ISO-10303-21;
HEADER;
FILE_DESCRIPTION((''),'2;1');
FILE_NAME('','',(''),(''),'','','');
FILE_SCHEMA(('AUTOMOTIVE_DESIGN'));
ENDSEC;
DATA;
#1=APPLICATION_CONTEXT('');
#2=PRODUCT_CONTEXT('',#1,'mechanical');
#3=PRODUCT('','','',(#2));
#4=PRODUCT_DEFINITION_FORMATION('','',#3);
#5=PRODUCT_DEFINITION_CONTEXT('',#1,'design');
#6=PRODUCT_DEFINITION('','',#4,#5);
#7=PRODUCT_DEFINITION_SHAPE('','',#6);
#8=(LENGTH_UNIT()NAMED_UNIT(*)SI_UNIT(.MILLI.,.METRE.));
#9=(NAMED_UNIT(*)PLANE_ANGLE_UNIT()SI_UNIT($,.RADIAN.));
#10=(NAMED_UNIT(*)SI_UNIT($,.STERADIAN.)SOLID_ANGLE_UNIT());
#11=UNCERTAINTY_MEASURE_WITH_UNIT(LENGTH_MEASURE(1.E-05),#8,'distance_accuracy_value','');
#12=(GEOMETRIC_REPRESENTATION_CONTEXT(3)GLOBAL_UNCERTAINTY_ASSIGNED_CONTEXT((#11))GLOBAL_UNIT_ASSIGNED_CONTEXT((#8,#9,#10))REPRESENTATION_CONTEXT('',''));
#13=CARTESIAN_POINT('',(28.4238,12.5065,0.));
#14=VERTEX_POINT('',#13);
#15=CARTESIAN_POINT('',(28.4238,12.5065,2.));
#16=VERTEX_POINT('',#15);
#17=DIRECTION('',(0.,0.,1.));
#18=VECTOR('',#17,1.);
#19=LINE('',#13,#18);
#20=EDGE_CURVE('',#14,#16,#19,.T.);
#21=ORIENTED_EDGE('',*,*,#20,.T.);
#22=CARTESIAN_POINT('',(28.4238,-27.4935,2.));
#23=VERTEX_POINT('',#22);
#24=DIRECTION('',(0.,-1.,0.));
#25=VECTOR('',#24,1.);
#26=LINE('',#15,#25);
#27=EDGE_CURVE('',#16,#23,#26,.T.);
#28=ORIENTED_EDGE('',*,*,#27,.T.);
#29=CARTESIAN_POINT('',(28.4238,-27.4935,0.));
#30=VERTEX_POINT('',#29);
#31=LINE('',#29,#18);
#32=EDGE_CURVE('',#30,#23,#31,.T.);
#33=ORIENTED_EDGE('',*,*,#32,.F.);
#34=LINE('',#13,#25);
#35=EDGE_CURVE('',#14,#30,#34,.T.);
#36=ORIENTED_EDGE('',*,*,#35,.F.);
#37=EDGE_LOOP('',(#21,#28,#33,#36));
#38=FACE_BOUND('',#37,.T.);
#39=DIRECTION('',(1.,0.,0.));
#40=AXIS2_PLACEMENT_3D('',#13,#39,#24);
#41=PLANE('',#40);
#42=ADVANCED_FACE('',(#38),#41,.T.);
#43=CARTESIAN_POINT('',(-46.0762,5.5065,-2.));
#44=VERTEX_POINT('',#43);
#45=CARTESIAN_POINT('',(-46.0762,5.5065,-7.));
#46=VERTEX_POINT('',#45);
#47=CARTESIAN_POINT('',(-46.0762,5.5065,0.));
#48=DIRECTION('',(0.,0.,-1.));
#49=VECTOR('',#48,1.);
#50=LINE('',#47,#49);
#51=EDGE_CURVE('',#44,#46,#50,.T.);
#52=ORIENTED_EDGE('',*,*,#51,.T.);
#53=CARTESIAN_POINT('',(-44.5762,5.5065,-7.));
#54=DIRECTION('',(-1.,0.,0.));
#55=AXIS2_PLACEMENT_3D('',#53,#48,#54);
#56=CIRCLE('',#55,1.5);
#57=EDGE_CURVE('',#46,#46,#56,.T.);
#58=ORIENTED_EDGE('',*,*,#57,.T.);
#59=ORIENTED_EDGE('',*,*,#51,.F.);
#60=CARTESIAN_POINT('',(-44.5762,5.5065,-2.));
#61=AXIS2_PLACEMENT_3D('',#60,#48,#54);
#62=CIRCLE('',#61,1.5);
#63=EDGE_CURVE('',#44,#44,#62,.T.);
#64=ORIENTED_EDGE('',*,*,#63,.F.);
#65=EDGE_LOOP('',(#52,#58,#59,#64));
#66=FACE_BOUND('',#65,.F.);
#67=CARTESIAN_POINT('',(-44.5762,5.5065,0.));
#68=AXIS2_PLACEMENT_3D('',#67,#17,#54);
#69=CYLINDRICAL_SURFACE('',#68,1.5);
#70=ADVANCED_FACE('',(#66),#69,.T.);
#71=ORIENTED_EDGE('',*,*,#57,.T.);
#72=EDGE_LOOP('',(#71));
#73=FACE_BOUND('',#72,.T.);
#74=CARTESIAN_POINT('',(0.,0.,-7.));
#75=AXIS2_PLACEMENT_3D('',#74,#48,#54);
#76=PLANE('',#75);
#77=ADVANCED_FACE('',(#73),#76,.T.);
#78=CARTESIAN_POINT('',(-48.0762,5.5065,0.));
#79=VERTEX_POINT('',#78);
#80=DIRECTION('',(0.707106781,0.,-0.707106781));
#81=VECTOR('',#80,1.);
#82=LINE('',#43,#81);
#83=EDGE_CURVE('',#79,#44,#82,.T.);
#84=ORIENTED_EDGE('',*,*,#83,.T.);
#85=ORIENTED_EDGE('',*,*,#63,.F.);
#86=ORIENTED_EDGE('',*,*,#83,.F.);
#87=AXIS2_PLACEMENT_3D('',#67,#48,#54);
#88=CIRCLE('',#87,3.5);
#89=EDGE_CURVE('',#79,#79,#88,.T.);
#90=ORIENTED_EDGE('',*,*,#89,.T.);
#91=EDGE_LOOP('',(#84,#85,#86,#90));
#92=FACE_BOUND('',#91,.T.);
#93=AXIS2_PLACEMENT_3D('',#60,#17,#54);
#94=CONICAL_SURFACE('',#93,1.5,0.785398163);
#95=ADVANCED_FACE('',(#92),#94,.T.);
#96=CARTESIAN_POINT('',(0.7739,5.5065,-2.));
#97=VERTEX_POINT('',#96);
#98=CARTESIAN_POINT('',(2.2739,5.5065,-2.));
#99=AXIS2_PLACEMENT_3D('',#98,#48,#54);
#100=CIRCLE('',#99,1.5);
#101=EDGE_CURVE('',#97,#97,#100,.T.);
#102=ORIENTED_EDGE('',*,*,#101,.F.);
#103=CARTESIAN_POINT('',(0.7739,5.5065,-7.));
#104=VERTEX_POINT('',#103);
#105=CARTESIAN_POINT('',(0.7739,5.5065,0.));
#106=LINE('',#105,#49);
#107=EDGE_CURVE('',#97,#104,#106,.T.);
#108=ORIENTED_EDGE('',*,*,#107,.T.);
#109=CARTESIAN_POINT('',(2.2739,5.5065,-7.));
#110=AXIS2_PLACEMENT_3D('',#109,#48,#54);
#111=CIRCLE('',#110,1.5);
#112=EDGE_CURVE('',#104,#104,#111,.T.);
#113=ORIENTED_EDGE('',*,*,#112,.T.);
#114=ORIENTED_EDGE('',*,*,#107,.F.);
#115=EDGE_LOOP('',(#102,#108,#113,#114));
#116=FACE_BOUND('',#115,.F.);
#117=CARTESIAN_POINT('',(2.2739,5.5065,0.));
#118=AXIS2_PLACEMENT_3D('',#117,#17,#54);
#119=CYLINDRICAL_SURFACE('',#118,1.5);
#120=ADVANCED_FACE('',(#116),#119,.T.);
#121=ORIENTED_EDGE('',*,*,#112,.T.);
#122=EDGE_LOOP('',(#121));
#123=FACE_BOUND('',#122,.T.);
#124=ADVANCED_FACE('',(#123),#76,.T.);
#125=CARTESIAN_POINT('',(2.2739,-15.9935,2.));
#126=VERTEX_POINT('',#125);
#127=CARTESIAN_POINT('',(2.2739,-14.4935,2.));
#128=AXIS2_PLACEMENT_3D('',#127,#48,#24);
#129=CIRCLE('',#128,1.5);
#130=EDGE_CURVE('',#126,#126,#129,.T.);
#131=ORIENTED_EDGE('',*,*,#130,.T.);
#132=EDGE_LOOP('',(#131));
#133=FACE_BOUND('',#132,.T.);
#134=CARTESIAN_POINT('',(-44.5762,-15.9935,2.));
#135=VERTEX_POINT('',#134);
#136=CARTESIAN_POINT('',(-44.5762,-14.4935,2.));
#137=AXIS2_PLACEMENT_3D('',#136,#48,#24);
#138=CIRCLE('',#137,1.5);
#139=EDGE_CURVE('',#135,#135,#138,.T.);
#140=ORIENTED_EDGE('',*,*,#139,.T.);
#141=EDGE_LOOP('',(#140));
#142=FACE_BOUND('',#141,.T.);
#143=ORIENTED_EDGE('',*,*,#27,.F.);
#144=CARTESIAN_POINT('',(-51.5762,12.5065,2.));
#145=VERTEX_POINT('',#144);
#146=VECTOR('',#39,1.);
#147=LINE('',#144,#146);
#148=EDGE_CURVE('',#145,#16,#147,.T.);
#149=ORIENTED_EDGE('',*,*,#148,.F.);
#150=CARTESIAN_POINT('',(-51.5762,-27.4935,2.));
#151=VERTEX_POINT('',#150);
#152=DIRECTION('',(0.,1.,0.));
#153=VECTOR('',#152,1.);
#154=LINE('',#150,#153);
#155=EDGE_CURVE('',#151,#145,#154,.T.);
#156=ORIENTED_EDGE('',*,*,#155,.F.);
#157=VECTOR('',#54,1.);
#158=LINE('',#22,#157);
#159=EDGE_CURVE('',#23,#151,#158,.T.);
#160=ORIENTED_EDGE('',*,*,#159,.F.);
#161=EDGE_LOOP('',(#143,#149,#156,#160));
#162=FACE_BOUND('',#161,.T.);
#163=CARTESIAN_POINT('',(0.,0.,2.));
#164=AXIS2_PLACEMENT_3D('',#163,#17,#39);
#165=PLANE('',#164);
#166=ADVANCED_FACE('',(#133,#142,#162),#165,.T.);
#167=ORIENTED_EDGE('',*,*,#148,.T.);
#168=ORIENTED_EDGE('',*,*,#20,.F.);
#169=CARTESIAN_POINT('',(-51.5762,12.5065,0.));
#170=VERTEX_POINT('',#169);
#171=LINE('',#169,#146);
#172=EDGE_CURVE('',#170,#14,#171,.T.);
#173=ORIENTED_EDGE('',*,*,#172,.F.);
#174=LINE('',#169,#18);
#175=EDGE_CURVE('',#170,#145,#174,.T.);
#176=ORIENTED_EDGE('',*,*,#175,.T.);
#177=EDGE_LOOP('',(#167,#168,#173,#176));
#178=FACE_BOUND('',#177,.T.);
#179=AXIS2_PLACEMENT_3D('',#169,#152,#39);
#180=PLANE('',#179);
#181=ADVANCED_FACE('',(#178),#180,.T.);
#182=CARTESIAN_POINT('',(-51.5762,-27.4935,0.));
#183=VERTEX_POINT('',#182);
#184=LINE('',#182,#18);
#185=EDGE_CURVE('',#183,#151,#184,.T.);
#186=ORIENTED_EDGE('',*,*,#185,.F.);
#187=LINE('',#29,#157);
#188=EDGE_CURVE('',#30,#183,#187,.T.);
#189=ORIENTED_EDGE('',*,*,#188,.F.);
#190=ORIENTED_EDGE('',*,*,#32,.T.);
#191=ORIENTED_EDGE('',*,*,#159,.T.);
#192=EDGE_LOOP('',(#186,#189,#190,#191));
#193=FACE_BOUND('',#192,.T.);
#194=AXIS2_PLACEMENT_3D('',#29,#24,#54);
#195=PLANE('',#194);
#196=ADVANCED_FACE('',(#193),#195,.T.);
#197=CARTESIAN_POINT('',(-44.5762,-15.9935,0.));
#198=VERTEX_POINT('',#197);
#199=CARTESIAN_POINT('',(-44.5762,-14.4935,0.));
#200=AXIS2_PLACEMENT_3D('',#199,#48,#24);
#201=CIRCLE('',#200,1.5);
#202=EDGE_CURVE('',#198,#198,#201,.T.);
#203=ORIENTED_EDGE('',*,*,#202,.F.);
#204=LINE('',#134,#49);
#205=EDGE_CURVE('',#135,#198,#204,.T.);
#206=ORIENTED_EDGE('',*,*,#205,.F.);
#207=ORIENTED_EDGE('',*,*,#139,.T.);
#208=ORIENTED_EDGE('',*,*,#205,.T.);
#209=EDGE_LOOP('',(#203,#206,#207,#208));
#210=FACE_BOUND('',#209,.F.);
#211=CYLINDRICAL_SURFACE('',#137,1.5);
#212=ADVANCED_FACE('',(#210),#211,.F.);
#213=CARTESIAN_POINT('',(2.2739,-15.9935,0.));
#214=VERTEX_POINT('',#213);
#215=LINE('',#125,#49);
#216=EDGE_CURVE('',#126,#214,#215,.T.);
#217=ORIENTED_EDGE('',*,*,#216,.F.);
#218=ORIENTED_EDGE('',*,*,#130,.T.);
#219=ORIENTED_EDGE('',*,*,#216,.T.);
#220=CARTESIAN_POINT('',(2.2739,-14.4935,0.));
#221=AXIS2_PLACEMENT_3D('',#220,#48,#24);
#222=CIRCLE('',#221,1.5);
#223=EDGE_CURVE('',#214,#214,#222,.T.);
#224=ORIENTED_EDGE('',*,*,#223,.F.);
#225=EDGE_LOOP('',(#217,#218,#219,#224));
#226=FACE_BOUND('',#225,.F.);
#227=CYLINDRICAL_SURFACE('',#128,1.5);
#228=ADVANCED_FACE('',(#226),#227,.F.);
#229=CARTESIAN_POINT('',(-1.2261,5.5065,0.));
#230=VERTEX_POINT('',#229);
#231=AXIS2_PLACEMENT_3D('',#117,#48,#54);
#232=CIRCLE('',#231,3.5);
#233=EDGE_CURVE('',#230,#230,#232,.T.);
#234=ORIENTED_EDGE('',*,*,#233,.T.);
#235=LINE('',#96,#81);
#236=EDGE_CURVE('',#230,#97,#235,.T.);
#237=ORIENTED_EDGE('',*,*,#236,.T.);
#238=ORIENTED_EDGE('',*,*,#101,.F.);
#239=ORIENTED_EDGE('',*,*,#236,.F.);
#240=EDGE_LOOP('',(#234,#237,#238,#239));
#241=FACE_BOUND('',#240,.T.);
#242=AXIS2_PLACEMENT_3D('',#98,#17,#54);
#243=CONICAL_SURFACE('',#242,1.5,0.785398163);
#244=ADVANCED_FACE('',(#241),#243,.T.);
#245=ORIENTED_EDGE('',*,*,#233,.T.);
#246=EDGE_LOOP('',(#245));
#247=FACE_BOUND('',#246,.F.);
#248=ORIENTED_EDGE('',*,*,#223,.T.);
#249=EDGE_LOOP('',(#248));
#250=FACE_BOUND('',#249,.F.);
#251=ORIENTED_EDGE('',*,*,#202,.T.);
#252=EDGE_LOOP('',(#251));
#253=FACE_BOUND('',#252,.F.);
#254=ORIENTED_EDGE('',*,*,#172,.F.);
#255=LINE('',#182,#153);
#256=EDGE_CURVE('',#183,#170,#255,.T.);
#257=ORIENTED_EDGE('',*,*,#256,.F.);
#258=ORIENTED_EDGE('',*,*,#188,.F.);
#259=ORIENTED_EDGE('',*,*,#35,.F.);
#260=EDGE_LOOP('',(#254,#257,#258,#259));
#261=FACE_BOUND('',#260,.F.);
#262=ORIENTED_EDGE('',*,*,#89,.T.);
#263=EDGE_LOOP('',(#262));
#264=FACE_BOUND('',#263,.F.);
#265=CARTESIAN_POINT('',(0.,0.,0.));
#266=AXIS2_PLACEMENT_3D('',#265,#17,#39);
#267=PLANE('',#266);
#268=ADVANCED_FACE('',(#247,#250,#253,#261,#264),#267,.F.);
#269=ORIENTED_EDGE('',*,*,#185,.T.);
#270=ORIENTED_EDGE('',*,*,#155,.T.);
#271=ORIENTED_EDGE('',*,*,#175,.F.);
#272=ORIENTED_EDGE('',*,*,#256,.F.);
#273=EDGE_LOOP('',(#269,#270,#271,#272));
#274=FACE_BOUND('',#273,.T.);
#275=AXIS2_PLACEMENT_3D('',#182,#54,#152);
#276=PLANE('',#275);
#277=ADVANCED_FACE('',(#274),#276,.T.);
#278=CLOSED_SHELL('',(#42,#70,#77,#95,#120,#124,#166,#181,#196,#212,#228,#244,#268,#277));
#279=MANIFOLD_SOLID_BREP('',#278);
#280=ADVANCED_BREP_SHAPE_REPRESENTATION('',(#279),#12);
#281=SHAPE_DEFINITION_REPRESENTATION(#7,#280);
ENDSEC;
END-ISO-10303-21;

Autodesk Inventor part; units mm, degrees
ref_plane "YZ Plane" through (0, 0, 0) normal (1, 0, 0) x (0, 1, 0)
ref_plane "XZ Plane" through (0, 0, 0) normal (0, 1, 0) x (-1, 0, 0)
ref_plane "XY Plane" through (0, 0, 0) normal (0, 0, 1) x (1, 0, 0)
sketch "Sketch1" plane through (0, 0, 0) normal (0, 0, 1) x (1, 0, 0)
  line L0 (-51.5762, 12.5065) -> (28.4238, 12.5065)
  line L1 (28.4238, 12.5065) -> (28.4238, -27.4935)
  line L2 (28.4238, -27.4935) -> (-51.5762, -27.4935)
  line L3 (-51.5762, -27.4935) -> (-51.5762, 12.5065)
  point P0 (0, 0)
  dimension "d0" = 80
  dimension "d1" = 40
extrude "Extrusion1" add sketch "Sketch1" along normal blind 2
sketch "Sketch2" plane through (0, 0, 2) normal (0, 0, 1) x (1, 0, 0)
  line L0 (-51.5762, 12.5065) -> (-51.5762, -27.4935) projected
  line L1 (-51.5762, -27.4935) -> (28.4238, -27.4935) projected
  point P0 (0, 0)
  point P1 (-44.5762, -14.4935)
  point P2 (2.2739, -14.4935)
  dimension "d4" = 46.8502
  dimension "d5" = 7
  dimension "d6" = 13
  dimension "d7" = 13
hole "Hole1" at (-44.5762, -14.4935, 2) at (2.2739, -14.4935, 2) direction (0, 0, -1) diameter 3 depth 8 tip angle 118
sketch "Sketch3" plane through (0, 0, 2) normal (0, 0, 1) x (1, 0, 0)
  point P0 (0, 0)
sketch "Sketch4" plane through (0, 0, 0) normal (0, 0, -1) x (-1, 0, 0)
  circle A0 centre (-2.2739, -14.4935) radius 1.5 projected
  circle A1 centre (44.5762, -14.4935) radius 1.5 projected
  circle A2 centre (-2.2739, 5.5065) radius 1.5
  circle A3 centre (44.5762, 5.5065) radius 1.5
  point P0 (0, 0)
  dimension "d15" = 20
  dimension "d16" = 20
  dimension "d17" = 3
  dimension "d18" = 3
extrude "Extrusion2" add sketch "Sketch4" along normal blind 7 contours A2 | A3
chamfer "Chamfer1" distance 2 angle 45 2 edges at (3.7739, 5.5065, 0) (-43.0762, 5.5065, 0)
properties part number "Power circuit support surface"
